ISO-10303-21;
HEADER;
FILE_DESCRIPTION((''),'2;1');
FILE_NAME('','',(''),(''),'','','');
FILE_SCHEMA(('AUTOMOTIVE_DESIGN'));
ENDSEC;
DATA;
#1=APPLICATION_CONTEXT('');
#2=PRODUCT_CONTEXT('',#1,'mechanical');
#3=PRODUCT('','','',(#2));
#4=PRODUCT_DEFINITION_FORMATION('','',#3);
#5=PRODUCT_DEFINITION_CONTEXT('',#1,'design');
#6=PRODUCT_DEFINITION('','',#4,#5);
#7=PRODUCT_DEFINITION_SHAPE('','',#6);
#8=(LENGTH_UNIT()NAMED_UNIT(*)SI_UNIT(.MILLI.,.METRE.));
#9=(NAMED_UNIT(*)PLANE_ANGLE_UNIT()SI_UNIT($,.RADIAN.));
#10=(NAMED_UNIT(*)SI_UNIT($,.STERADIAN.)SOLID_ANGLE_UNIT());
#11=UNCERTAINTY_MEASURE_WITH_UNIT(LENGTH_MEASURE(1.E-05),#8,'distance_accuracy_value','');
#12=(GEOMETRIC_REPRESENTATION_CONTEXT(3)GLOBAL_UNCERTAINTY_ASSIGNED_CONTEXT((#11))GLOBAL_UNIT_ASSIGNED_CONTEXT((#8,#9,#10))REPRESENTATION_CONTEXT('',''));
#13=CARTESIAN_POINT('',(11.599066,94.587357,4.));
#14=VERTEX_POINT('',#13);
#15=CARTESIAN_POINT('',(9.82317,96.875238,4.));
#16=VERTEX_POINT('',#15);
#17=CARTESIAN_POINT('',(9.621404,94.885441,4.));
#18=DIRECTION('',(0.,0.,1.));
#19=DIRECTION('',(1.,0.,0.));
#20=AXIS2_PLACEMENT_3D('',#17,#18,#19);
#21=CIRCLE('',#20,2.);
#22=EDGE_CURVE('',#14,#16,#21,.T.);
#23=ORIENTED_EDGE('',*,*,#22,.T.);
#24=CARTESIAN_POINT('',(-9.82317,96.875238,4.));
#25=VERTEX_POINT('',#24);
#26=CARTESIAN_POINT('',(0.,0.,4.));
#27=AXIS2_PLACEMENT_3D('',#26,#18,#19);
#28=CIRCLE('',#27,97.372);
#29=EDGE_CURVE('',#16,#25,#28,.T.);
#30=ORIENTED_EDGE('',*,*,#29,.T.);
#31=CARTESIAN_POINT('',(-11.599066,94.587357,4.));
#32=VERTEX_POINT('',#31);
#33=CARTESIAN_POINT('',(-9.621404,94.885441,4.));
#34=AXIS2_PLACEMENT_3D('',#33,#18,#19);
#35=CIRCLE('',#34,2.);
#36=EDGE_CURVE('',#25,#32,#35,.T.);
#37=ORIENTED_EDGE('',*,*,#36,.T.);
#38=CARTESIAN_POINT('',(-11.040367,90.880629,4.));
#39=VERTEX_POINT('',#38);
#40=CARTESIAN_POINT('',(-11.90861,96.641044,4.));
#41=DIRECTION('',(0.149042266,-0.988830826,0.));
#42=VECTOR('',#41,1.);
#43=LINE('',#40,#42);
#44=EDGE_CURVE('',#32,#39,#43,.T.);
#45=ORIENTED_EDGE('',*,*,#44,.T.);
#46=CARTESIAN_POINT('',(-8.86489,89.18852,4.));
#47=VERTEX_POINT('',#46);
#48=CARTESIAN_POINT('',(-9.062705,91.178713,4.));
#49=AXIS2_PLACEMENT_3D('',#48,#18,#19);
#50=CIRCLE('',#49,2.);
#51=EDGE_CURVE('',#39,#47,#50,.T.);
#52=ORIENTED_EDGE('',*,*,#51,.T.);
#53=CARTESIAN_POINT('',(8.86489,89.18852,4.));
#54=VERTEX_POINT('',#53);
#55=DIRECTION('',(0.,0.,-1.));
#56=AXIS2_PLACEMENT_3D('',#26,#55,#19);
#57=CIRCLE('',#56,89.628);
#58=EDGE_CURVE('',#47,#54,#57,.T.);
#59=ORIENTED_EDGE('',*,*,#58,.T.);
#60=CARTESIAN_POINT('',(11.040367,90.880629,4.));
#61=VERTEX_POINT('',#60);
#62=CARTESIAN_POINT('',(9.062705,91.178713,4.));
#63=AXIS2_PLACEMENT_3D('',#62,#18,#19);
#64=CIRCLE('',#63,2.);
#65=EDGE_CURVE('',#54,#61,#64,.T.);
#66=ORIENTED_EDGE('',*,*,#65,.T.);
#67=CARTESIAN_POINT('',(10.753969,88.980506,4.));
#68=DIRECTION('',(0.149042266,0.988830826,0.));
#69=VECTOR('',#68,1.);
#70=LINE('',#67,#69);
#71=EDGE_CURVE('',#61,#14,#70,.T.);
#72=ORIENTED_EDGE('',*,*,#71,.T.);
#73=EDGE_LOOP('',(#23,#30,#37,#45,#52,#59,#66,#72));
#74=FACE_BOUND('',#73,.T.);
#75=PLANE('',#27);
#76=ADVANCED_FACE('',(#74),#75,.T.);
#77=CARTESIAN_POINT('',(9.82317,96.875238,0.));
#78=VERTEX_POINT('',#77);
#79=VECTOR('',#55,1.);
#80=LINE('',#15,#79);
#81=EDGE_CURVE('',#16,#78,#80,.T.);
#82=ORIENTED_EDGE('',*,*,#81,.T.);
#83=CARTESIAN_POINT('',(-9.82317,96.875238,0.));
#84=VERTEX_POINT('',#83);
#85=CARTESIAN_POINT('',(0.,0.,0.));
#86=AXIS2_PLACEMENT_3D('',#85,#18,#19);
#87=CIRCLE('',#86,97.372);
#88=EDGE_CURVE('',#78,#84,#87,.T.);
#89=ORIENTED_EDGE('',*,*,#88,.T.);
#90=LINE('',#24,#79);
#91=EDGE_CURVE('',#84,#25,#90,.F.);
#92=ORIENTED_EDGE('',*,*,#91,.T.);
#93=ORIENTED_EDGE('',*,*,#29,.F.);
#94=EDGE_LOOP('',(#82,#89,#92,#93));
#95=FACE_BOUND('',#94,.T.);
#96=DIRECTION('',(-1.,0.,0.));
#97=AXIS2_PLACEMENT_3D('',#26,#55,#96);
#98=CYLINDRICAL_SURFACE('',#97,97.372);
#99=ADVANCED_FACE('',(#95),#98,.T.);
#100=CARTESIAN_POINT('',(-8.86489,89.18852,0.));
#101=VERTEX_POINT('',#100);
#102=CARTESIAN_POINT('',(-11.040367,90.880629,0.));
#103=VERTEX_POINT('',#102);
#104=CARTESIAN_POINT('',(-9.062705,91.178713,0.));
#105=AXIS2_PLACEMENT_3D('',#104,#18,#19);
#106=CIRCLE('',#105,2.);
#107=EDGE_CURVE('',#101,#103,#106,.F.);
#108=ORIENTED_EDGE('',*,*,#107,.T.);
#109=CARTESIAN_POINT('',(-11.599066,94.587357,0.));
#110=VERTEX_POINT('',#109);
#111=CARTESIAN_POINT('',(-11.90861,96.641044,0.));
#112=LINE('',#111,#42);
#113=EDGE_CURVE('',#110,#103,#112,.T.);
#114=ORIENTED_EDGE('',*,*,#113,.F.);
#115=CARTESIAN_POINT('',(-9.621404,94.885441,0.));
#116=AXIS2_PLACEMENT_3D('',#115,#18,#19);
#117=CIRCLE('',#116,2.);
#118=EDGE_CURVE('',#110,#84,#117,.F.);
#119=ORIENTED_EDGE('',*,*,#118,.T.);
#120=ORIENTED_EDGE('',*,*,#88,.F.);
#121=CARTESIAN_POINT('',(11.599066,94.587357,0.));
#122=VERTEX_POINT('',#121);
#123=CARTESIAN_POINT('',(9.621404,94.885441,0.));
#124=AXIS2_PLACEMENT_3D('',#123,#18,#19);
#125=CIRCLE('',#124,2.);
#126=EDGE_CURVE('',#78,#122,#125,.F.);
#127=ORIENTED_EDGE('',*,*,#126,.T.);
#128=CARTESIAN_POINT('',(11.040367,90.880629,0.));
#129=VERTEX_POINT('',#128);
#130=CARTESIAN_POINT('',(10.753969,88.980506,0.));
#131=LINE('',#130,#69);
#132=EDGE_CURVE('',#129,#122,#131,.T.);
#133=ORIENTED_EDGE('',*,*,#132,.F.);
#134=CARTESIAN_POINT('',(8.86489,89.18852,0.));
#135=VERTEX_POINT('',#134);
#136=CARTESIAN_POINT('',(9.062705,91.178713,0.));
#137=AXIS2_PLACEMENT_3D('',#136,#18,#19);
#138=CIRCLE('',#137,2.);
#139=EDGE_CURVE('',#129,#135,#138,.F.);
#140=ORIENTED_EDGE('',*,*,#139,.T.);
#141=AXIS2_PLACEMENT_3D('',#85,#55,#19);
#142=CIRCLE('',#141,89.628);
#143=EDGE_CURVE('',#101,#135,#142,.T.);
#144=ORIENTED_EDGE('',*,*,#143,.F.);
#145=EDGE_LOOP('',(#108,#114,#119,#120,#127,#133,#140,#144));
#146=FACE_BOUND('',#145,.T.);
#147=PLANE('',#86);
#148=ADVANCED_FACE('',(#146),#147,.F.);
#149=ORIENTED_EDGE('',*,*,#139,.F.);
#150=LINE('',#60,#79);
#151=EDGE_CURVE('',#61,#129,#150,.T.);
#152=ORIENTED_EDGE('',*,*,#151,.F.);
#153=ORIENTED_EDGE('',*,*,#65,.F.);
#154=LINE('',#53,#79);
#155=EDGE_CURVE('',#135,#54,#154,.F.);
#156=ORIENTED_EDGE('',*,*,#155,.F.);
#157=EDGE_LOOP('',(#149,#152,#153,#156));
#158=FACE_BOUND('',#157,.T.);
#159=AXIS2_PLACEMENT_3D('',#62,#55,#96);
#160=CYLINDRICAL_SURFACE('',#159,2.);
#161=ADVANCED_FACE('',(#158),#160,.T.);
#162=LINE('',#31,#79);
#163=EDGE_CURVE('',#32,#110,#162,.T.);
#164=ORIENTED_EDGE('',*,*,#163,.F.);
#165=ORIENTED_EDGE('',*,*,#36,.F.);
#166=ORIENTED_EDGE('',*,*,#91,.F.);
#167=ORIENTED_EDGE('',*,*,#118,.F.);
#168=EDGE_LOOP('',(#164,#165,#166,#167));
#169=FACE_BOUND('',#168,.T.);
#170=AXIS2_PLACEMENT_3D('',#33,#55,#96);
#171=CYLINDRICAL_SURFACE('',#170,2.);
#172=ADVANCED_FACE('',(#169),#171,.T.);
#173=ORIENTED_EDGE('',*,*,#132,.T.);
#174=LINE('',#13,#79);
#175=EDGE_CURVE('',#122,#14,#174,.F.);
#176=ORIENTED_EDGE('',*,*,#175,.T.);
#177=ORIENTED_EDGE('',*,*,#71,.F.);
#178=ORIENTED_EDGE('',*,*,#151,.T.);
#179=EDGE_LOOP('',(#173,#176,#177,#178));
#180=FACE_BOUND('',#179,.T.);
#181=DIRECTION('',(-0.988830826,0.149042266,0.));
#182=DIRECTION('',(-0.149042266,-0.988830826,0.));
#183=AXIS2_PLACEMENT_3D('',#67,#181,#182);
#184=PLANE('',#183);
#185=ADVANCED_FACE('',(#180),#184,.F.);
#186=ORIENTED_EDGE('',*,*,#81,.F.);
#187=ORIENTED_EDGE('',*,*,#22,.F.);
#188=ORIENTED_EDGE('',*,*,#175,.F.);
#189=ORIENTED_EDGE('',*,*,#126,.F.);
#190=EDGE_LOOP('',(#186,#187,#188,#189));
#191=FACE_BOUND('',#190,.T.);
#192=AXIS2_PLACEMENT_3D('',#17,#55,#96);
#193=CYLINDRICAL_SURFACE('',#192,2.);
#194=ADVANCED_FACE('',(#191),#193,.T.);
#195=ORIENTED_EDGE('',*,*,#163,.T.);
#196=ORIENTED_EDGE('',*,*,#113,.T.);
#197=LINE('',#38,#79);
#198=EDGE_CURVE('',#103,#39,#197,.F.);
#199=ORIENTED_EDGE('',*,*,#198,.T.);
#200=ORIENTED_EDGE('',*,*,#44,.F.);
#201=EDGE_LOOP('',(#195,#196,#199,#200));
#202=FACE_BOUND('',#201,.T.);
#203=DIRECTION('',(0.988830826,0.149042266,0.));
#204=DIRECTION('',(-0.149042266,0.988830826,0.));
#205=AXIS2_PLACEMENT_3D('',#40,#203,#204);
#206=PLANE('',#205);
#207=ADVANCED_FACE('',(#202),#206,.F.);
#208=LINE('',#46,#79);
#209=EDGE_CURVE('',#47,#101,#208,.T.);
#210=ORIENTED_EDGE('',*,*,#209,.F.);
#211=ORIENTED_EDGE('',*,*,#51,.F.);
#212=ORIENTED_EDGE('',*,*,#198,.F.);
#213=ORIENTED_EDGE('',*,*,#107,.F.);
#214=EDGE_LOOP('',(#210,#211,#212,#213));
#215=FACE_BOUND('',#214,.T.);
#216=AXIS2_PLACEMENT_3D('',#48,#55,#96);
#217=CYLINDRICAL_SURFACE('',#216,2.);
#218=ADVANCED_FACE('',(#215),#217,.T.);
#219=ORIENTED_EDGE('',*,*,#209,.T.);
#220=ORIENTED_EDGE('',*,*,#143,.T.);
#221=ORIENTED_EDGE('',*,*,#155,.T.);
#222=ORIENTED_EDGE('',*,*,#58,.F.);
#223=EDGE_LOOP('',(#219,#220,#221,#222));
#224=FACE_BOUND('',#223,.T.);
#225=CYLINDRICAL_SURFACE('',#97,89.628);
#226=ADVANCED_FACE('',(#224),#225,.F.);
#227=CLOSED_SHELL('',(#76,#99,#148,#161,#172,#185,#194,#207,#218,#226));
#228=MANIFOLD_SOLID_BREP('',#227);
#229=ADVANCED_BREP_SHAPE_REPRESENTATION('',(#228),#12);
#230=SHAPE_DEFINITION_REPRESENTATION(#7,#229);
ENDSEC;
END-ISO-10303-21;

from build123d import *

# Parameters (mm, degrees)
BOSS_EXTRUDE1_DEPTH = 4
FILLET1_R           = 2


with BuildPart() as part:
    # Sketch1 → Boss-Extrude1 (new body)
    with BuildSketch(Plane.XY):
        with BuildLine():
            Line((-11.908609546, 96.641044089), (-10.753969279, 88.980506454))
            ThreePointArc((-10.753969279, 88.980506454), (0, 89.628), (10.753969279, 88.980506454))
            Line((10.753969279, 88.980506454), (11.908609546, 96.641044089))
            ThreePointArc((11.908609546, 96.641044089), (0, 97.372), (-11.908609546, 96.641044089))
        make_face()
    extrude(amount=BOSS_EXTRUDE1_DEPTH)

    # Fillet1
    fillet1_edges = [part.edges().sort_by_distance(p)[0] for p in [
        (11.908609546, 96.641044089, 2),
        (10.753969279, 88.980506454, 2),
        (-10.753969279, 88.980506454, 2),
        (-11.908609546, 96.641044089, 2),
    ]]
    fillet(fillet1_edges, radius=FILLET1_R)


solid = part.part
